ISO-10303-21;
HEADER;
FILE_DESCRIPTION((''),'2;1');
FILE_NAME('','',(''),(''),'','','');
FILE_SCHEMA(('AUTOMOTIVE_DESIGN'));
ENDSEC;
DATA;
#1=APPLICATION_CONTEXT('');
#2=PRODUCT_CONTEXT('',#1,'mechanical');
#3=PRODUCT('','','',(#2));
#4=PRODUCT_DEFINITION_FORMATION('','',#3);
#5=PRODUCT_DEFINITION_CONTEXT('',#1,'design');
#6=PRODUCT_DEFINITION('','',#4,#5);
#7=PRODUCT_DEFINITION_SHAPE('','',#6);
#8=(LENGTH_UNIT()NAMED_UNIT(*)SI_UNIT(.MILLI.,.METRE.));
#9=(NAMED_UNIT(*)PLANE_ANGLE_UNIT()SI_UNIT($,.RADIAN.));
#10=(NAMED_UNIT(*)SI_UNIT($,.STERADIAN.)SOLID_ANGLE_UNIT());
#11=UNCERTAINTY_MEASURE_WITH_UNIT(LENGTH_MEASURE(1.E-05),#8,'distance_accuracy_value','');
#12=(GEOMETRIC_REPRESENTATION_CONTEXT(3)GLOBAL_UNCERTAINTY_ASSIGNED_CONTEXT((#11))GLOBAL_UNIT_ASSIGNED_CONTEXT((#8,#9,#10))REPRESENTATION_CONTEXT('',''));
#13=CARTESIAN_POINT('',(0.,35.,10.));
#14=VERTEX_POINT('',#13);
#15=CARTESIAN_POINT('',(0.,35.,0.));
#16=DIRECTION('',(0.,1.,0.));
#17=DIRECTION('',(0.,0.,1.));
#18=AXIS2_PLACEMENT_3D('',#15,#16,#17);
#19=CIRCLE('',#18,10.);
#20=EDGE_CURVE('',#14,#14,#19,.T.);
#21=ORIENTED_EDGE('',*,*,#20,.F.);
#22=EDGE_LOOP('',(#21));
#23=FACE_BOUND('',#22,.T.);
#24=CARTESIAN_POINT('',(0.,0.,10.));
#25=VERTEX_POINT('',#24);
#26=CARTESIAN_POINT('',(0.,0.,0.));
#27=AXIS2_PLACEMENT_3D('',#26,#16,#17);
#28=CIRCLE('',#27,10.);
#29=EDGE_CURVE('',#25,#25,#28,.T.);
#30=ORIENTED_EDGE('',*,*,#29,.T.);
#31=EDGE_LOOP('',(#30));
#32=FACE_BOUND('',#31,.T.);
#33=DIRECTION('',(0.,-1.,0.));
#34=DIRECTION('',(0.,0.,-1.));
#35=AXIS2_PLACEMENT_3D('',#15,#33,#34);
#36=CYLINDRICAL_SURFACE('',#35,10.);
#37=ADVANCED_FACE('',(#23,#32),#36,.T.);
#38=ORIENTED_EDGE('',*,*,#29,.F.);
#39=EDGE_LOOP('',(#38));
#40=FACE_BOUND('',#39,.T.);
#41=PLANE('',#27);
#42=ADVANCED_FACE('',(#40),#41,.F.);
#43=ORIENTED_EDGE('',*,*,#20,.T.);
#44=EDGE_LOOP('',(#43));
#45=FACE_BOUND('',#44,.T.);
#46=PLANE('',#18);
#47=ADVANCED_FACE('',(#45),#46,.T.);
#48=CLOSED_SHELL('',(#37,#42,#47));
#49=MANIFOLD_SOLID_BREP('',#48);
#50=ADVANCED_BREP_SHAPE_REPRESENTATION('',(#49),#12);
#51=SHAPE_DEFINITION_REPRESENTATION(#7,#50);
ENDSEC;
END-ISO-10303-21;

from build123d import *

# Parameters (mm, degrees)
ESQUISSE2_R        = 10
BOSS_EXTRU_2_DEPTH = 35


with BuildPart() as part:
    # Esquisse2 → Boss.-Extru.2 (new body)
    with BuildSketch(Plane(origin=(0, 0, 0), x_dir=(1, 0, 0), z_dir=(0, 1, 0))):
        with Locations(Location((0, 0, 0), (0, 0, 270))):
            Circle(ESQUISSE2_R)
    extrude(amount=BOSS_EXTRU_2_DEPTH)


solid = part.part
